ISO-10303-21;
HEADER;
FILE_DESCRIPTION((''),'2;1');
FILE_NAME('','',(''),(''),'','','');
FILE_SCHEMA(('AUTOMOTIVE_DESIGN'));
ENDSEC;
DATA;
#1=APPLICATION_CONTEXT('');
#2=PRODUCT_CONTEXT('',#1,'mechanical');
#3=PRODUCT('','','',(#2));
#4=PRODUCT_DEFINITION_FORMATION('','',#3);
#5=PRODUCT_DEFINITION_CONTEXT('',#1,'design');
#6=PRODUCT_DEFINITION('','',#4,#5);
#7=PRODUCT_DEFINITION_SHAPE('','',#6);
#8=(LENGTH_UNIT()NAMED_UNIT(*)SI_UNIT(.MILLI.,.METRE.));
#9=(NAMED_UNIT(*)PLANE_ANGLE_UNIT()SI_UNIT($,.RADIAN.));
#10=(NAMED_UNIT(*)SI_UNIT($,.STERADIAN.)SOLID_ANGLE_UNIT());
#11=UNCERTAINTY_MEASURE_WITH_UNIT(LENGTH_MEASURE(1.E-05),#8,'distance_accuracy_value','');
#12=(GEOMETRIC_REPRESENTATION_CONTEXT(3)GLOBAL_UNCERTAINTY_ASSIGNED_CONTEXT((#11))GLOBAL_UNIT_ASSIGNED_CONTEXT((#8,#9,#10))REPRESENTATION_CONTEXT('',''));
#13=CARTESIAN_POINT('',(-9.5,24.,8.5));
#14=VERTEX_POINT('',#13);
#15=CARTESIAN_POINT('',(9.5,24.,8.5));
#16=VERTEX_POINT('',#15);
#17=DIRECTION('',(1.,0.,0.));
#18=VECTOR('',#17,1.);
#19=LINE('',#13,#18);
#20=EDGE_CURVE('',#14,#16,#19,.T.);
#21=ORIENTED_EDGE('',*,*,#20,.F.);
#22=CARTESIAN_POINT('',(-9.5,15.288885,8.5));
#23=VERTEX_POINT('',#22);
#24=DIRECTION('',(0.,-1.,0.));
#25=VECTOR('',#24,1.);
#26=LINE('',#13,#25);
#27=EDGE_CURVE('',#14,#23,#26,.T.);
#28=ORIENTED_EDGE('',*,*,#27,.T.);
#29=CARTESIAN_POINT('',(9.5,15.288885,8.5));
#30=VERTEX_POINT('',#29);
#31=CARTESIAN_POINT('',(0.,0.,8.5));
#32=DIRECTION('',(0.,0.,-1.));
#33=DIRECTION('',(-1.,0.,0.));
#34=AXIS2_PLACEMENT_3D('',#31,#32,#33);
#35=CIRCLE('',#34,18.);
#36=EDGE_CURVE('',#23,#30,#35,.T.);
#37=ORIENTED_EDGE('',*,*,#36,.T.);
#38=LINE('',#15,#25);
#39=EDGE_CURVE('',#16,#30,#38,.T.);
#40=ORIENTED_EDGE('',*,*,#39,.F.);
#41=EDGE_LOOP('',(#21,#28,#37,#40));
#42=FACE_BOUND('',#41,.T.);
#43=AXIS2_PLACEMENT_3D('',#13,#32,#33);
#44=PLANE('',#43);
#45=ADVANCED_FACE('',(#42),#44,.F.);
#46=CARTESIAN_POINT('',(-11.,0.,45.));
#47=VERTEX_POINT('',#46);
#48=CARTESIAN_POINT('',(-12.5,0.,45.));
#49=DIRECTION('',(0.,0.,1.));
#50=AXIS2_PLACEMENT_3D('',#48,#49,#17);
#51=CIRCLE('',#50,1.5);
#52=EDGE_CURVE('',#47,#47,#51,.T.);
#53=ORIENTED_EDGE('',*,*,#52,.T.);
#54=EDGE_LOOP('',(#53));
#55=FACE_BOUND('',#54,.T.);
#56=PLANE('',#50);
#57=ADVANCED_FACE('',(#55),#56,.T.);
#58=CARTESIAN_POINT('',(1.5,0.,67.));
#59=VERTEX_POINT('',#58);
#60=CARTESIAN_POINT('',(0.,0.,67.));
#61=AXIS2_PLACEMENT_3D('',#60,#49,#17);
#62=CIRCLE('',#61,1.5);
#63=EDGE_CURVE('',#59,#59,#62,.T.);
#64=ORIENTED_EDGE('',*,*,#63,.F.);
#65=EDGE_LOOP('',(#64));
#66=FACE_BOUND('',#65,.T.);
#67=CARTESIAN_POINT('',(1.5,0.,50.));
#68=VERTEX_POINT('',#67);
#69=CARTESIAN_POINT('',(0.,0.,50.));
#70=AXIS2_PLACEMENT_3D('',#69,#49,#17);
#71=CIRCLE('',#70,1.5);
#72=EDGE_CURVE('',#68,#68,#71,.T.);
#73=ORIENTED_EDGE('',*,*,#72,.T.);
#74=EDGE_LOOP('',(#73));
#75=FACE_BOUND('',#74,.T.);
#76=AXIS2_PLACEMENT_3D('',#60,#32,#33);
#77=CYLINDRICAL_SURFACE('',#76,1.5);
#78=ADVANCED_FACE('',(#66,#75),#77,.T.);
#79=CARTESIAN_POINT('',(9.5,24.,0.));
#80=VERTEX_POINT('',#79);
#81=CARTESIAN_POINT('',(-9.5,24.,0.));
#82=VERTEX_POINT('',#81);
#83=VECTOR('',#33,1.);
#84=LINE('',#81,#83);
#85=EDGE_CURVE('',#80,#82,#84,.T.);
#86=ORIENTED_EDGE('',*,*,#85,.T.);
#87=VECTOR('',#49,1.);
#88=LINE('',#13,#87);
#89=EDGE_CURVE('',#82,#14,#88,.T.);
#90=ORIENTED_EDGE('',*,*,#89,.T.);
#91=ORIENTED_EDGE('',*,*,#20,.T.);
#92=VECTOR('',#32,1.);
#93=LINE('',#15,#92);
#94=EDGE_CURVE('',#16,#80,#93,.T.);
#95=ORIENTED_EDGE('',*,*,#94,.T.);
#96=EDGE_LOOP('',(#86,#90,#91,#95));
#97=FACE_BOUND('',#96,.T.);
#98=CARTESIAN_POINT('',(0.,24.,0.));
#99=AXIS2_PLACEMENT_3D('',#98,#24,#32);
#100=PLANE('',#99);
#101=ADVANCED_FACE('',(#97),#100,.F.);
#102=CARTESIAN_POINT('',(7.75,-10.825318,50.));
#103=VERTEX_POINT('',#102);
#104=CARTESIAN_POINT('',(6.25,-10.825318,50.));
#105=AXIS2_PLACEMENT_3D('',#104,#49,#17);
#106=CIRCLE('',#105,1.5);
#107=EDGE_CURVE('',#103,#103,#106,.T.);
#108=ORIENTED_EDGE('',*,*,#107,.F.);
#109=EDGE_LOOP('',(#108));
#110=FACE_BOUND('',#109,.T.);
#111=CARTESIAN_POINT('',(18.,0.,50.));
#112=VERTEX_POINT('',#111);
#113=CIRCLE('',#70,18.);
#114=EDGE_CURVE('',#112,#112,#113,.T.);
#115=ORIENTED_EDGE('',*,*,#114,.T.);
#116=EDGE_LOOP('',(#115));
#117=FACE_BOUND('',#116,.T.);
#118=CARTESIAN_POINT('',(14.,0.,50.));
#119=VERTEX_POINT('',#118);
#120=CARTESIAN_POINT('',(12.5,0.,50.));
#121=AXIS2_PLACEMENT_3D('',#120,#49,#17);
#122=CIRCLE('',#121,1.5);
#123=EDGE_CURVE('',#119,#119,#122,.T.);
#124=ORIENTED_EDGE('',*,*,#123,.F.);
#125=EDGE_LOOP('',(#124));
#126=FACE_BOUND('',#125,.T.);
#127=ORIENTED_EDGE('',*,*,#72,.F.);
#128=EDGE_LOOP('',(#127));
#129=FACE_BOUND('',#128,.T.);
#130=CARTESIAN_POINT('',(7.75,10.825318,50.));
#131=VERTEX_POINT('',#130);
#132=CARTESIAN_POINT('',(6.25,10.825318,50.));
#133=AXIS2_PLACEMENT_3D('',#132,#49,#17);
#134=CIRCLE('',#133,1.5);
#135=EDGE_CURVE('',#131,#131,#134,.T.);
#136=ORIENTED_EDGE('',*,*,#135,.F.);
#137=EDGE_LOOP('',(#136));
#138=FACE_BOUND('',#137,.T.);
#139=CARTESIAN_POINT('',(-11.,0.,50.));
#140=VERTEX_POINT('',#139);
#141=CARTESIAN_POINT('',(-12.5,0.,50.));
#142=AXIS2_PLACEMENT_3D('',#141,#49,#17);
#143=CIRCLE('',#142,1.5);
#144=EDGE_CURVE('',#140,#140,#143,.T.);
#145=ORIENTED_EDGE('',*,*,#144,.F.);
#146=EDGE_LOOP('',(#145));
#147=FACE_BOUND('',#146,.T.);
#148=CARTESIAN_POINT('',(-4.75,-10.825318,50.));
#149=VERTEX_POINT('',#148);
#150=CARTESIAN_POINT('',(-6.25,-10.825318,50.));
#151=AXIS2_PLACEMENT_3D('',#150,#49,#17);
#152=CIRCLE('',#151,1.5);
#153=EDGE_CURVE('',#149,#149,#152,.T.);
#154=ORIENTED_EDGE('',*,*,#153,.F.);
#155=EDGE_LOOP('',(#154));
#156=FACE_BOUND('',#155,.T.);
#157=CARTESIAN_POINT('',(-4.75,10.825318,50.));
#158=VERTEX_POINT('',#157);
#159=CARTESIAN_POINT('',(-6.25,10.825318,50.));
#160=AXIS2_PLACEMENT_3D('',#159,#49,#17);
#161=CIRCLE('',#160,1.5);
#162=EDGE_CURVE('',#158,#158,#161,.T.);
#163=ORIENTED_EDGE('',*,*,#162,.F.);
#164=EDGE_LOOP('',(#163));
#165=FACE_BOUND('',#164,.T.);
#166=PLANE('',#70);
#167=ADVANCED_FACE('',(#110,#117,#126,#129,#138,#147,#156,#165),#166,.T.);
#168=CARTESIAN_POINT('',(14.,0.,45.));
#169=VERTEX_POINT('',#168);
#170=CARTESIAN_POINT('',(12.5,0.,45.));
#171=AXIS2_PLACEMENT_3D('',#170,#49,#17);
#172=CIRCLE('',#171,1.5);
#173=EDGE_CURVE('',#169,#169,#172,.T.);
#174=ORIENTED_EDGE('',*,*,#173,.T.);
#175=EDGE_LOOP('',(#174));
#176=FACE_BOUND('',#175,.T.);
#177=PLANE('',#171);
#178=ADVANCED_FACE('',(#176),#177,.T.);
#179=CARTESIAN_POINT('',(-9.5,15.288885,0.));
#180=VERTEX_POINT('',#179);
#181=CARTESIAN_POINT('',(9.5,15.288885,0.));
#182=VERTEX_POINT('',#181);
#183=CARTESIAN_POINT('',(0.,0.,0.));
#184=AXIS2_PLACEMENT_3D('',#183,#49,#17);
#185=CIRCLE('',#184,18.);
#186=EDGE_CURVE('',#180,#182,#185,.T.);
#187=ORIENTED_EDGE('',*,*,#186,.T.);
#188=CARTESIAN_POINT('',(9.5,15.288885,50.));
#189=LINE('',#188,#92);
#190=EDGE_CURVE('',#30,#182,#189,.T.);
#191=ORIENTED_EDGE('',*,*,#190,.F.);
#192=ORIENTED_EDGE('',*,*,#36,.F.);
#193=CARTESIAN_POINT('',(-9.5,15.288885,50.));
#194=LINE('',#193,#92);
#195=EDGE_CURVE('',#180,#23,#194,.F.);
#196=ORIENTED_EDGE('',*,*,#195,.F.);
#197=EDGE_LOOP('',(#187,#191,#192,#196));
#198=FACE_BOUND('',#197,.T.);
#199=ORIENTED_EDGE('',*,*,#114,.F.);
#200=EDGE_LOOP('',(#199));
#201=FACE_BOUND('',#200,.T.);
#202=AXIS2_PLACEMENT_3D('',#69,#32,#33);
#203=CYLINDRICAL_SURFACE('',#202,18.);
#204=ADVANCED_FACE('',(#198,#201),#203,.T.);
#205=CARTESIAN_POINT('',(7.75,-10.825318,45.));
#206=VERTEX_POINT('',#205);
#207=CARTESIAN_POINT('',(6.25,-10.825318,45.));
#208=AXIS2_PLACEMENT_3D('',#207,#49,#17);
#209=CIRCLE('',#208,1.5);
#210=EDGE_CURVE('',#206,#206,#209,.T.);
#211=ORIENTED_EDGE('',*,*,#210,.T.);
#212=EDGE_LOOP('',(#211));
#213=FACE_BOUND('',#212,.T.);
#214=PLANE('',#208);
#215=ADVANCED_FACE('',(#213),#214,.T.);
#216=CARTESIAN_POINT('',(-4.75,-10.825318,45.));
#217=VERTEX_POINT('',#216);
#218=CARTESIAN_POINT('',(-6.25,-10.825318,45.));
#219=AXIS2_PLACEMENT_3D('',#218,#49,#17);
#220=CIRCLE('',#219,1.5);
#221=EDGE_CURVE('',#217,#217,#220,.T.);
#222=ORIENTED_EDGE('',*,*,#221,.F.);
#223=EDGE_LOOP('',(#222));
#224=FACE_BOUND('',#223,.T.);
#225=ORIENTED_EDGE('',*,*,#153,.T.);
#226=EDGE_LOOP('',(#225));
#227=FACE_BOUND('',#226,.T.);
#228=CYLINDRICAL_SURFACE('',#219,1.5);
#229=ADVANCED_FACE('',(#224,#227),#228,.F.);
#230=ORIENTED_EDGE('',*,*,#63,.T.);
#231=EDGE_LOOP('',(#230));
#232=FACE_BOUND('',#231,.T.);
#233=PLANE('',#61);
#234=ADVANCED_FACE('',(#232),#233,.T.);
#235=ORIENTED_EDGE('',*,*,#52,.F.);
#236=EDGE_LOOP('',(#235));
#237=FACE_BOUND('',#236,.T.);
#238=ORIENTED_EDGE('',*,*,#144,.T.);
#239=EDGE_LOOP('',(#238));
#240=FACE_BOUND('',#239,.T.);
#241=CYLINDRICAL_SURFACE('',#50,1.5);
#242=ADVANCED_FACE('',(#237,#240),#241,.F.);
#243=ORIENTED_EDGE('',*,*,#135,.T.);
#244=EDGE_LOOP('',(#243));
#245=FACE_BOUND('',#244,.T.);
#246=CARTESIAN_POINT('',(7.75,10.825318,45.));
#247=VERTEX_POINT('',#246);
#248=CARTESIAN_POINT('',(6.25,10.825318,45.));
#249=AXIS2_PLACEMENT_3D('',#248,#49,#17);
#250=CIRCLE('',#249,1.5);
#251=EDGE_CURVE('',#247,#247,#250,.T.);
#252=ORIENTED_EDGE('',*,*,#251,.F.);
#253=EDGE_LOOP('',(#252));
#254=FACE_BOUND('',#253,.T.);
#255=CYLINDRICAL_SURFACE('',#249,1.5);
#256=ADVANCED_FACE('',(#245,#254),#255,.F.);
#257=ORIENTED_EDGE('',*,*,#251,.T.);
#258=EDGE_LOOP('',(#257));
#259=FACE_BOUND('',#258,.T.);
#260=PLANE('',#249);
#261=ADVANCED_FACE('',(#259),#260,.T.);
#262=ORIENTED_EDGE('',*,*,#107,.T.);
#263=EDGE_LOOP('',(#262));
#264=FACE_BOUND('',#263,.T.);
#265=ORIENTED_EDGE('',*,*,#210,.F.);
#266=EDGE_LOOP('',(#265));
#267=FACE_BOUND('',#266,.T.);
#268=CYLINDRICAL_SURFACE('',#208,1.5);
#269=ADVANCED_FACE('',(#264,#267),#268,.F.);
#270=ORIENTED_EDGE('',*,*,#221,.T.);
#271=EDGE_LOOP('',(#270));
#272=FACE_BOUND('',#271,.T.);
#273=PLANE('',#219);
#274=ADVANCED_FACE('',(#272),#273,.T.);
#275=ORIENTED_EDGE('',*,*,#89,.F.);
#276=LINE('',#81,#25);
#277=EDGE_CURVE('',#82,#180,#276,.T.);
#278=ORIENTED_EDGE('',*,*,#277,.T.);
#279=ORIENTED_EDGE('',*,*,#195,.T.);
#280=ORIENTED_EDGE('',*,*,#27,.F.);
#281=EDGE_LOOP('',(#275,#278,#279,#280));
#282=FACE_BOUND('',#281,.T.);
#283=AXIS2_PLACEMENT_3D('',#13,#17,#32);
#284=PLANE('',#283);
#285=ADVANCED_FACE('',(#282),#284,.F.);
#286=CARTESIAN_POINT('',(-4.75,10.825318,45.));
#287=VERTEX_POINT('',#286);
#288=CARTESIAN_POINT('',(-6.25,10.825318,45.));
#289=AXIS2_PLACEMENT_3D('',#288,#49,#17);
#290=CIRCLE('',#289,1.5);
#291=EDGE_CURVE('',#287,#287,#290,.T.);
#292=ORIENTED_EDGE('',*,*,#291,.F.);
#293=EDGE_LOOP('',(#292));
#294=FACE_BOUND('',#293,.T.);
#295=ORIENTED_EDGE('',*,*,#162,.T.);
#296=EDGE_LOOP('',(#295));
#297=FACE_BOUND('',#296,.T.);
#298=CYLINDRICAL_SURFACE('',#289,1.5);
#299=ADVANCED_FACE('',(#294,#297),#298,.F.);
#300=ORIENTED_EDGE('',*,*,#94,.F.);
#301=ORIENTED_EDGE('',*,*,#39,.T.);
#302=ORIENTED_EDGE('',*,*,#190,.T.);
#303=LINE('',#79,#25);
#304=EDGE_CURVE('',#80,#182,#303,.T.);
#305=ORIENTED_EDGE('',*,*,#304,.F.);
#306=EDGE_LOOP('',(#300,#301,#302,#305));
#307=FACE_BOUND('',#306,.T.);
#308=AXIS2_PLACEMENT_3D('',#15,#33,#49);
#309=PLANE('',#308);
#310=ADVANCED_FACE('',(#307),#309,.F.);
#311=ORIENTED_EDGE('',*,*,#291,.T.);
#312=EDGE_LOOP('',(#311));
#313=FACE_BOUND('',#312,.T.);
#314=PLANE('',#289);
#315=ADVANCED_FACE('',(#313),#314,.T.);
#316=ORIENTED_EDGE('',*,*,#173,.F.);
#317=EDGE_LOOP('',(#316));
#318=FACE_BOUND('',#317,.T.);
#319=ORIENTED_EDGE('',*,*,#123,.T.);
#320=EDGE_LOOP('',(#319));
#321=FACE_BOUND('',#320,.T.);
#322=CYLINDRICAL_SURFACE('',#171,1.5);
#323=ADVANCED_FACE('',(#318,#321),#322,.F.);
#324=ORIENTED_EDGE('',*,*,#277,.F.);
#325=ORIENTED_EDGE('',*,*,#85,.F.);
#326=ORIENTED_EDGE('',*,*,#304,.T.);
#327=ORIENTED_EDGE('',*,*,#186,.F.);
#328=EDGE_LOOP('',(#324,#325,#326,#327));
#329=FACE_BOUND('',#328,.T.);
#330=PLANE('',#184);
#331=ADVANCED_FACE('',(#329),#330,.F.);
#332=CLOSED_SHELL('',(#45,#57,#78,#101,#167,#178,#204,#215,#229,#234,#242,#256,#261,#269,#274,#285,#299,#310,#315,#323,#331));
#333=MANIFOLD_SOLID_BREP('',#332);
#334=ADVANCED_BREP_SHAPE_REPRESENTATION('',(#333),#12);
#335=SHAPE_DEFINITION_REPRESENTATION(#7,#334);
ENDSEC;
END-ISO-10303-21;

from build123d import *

# Parameters (mm, degrees)
SKETCH1_R           = 18
BOSS_EXTRUDE1_DEPTH = 50
SKETCH2_R           = 1.5
BOSS_EXTRUDE2_DEPTH = 17
SKETCH3_W           = 19
SKETCH3_H           = 8.5
BOSS_EXTRUDE3_DEPTH = 24
SKETCH4_R           = 1.5
CUT_EXTRUDE1_DEPTH  = 5


with BuildPart() as part:
    # Sketch1 → Boss-Extrude1 (new body)
    with BuildSketch(Plane.XY):
        Circle(SKETCH1_R)
    extrude(amount=BOSS_EXTRUDE1_DEPTH)

    # Sketch2 → Boss-Extrude2 (add)
    with BuildSketch(Plane.XY.offset(50)):
        Circle(SKETCH2_R)
    extrude(amount=BOSS_EXTRUDE2_DEPTH)

    # Sketch3 → Boss-Extrude3 (add)
    with BuildSketch(Plane(origin=(0, 0, 0), x_dir=(1, 0, 0), z_dir=(0, 1, 0))):
        with Locations((0, -4.25)):
            Rectangle(SKETCH3_W, SKETCH3_H)
    extrude(amount=BOSS_EXTRUDE3_DEPTH)

    # Sketch4 → Cut-Extrude1 (cut)
    with BuildSketch(Plane.XY.offset(50)):
        with Locations((12.5, 0)):
            Circle(SKETCH4_R)
        with Locations((6.25, -10.825317547)):
            Circle(SKETCH4_R)
        with Locations((-6.25, -10.825317547)):
            Circle(SKETCH4_R)
        with Locations((-12.5, 0)):
            Circle(SKETCH4_R)
        with Locations((-6.25, 10.825317547)):
            Circle(SKETCH4_R)
        with Locations((6.25, 10.825317547)):
            Circle(SKETCH4_R)
    extrude(amount=-CUT_EXTRUDE1_DEPTH, mode=Mode.SUBTRACT)


solid = part.part
